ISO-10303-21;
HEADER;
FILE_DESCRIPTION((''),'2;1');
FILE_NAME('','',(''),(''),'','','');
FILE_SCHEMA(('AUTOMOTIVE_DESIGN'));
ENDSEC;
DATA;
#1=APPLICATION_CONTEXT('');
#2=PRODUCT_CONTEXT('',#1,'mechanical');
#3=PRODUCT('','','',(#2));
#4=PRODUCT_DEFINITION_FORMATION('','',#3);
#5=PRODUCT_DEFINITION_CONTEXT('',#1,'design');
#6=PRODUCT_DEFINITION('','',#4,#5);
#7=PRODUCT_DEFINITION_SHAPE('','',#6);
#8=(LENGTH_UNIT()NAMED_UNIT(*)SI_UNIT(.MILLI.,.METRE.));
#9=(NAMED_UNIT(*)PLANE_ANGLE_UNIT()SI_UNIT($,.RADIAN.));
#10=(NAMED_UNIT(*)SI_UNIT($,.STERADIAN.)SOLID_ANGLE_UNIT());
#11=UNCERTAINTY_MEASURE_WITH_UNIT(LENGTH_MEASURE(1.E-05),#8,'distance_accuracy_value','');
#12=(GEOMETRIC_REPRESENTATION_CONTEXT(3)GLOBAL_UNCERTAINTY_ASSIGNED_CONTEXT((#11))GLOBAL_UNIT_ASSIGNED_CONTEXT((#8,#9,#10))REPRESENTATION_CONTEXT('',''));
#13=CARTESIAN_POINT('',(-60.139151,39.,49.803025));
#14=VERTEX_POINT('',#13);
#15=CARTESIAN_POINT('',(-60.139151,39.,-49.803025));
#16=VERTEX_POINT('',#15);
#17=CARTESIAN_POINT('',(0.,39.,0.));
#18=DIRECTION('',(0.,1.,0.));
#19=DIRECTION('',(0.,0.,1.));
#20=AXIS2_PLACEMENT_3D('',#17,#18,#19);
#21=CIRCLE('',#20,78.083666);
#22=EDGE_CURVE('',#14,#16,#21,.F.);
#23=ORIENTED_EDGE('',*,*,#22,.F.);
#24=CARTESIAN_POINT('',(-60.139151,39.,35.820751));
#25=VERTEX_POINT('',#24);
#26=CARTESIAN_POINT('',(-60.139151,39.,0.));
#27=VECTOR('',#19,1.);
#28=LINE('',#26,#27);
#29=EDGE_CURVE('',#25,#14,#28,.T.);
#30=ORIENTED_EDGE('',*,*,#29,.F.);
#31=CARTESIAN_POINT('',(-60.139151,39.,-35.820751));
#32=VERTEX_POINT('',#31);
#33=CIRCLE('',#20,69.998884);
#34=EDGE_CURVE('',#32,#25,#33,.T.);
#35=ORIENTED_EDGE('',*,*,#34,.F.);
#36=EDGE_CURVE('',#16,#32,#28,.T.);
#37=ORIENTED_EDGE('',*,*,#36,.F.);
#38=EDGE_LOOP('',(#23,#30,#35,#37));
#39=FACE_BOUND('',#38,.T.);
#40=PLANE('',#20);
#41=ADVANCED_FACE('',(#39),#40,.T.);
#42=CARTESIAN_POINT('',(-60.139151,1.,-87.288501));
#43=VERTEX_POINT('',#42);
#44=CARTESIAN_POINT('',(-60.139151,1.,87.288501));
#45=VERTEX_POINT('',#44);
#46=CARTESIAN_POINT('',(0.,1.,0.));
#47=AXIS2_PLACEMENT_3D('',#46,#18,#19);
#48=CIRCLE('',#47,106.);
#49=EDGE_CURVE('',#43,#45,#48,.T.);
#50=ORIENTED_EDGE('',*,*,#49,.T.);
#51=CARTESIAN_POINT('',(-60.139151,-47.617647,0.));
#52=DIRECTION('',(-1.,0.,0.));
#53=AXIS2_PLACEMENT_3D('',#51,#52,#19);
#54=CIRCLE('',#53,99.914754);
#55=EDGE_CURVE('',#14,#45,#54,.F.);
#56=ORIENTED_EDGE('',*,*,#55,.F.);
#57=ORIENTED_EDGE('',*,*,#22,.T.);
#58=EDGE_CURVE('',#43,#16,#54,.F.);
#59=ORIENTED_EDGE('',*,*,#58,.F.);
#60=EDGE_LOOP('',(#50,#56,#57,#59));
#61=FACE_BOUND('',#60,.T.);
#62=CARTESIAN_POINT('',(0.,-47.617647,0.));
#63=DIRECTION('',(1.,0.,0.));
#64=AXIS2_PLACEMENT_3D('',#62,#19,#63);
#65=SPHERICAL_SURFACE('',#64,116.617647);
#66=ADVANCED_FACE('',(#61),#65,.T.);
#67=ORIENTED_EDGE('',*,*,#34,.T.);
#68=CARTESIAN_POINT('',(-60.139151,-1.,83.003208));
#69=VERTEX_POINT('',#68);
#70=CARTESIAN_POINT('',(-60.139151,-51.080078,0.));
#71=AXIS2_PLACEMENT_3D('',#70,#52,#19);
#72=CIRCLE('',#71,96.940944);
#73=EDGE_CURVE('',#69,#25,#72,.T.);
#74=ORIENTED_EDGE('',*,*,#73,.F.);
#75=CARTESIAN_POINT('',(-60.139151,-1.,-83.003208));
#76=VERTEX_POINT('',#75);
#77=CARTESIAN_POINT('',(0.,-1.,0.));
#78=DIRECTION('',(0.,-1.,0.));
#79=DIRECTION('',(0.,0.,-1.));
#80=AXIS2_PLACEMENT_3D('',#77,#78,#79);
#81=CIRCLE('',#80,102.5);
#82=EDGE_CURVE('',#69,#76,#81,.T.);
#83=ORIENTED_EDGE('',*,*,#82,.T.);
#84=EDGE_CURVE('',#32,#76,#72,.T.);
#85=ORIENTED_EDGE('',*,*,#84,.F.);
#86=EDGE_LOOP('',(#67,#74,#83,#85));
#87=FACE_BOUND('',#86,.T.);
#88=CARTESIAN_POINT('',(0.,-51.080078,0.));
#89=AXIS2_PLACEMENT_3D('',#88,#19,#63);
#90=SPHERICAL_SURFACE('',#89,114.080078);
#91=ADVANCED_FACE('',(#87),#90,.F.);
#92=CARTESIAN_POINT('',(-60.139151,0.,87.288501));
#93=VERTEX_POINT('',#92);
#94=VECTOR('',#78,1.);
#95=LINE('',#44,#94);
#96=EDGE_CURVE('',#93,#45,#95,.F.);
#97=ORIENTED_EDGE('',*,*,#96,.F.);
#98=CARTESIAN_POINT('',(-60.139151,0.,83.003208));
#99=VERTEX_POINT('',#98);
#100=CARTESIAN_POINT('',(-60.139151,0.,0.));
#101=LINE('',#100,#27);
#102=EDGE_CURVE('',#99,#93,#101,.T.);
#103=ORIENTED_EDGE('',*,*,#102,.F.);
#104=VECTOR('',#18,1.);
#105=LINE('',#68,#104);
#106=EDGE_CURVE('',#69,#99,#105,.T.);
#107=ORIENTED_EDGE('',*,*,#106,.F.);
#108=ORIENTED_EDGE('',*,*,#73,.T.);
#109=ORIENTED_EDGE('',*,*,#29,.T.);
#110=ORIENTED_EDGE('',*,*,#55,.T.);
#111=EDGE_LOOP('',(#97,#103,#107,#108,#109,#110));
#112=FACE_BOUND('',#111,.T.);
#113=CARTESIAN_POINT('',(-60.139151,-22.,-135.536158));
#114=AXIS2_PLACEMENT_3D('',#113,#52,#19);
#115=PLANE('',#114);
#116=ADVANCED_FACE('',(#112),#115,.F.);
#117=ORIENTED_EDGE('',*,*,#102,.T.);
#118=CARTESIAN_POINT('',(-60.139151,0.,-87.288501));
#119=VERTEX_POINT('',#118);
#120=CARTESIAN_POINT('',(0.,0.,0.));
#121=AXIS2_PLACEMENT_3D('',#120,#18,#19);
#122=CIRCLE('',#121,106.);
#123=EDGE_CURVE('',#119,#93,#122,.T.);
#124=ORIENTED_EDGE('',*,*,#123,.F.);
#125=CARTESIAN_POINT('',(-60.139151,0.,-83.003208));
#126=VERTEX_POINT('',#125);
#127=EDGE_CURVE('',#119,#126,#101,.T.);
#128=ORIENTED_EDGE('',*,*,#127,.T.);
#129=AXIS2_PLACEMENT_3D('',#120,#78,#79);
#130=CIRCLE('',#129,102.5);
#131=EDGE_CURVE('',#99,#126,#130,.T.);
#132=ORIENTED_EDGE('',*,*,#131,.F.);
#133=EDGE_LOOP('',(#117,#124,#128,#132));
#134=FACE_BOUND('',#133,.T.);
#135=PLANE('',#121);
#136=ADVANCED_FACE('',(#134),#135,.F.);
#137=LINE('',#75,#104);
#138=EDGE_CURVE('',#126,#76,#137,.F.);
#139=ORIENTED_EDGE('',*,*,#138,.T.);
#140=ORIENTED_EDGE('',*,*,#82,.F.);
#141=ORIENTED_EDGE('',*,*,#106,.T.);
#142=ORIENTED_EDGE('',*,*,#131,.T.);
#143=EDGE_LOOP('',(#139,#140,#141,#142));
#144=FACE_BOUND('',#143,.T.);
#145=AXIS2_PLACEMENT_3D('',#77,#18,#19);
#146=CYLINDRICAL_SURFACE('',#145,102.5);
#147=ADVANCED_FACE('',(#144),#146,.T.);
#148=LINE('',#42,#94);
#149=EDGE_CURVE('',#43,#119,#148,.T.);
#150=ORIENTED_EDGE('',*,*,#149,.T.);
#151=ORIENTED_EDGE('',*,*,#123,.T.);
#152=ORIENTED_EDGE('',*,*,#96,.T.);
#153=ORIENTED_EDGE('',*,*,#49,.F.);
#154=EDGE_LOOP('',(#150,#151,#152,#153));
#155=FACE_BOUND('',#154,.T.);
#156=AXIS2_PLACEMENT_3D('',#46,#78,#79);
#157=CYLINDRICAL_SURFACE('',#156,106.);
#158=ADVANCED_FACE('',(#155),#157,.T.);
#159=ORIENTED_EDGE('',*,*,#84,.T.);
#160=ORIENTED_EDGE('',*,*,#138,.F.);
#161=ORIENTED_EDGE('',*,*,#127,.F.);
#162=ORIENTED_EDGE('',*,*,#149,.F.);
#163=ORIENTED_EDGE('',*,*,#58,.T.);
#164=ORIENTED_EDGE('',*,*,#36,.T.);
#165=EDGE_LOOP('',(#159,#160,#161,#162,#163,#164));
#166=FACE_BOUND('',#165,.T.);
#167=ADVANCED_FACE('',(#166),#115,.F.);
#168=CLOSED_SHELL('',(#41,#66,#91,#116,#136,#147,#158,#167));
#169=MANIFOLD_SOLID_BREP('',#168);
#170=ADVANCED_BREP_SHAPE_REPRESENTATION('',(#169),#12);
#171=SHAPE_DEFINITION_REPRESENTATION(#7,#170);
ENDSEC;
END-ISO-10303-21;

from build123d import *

# Parameters (mm, degrees)
SKETCH1_R           = 106
BOSS_EXTRUDE1_DEPTH = 1
DOME1_FACE_RADIUS   = 106
DOME1_HEIGHT        = 68
SKETCH3_R           = 102.5
BOSS_EXTRUDE2_DEPTH = 1
DOME3_FACE_RADIUS   = 102.5
DOME3_HEIGHT        = 64
SKETCH4_R           = 141.495239339
CUT_EXTRUDE1_DEPTH  = 30
SKETCH6_W           = 177.061938601
SKETCH6_H           = 266.714694693
CUT_EXTRUDE3_DEPTH  = 61


with BuildPart() as part:
    # Sketch1 → Boss-Extrude1 (new body)
    with BuildSketch(Plane(origin=(0, 0, 0), x_dir=(1, 0, 0), z_dir=(0, 1, 0))):
        with Locations(Location((0, 0, 0), (0, 0, 270))):
            Circle(SKETCH1_R)
    extrude(amount=BOSS_EXTRUDE1_DEPTH)

    # Dome1: a dome of height H over a round flat face of radius A is a cap of a sphere of radius (A * A + H * H) / (2 * H)
    dome1_r = (DOME1_FACE_RADIUS * DOME1_FACE_RADIUS + DOME1_HEIGHT * DOME1_HEIGHT) / (2 * DOME1_HEIGHT)
    dome1_base = Plane((0, 1, 0), z_dir=(0, 1, 0))
    with Locations(dome1_base.offset(DOME1_HEIGHT - dome1_r)):
        dome1_ball = Sphere(dome1_r, mode=Mode.PRIVATE)
    add(split(dome1_ball, bisect_by=dome1_base, keep=Keep.TOP, mode=Mode.PRIVATE))

    # Sketch3 → Boss-Extrude2 (add)
    with BuildSketch(Plane.XZ):
        with Locations(Location((0, 0, 0), (0, 0, 270))):
            Circle(SKETCH3_R)
    extrude(amount=BOSS_EXTRUDE2_DEPTH)

    # Dome3: a dome of height H over a round flat face of radius A is a cap of a sphere of radius (A * A + H * H) / (2 * H)
    dome3_r = (DOME3_FACE_RADIUS * DOME3_FACE_RADIUS + DOME3_HEIGHT * DOME3_HEIGHT) / (2 * DOME3_HEIGHT)
    dome3_base = Plane((0, -1, 0), z_dir=(0, 1, 0))
    with Locations(dome3_base.offset(DOME3_HEIGHT - dome3_r)):
        dome3_ball = Sphere(dome3_r, mode=Mode.PRIVATE)
    add(split(dome3_ball, bisect_by=dome3_base, keep=Keep.TOP, mode=Mode.PRIVATE), mode=Mode.SUBTRACT)

    # Sketch4 → Cut-Extrude1 (cut)
    with BuildSketch(Plane(origin=(0, 69, 0), x_dir=(1, 0, 0), z_dir=(0, 1, 0))):
        Circle(SKETCH4_R)
    extrude(amount=-CUT_EXTRUDE1_DEPTH, mode=Mode.SUBTRACT)

    # Sketch6 → Cut-Extrude3 (cut)
    with BuildSketch(Plane(origin=(0, 39, 0), x_dir=(1, 0, 0), z_dir=(0, 1, 0))):
        with Locations((28.391818017, 2.178811005)):
            Rectangle(SKETCH6_W, SKETCH6_H)
    extrude(amount=-CUT_EXTRUDE3_DEPTH, mode=Mode.SUBTRACT)


solid = part.part
